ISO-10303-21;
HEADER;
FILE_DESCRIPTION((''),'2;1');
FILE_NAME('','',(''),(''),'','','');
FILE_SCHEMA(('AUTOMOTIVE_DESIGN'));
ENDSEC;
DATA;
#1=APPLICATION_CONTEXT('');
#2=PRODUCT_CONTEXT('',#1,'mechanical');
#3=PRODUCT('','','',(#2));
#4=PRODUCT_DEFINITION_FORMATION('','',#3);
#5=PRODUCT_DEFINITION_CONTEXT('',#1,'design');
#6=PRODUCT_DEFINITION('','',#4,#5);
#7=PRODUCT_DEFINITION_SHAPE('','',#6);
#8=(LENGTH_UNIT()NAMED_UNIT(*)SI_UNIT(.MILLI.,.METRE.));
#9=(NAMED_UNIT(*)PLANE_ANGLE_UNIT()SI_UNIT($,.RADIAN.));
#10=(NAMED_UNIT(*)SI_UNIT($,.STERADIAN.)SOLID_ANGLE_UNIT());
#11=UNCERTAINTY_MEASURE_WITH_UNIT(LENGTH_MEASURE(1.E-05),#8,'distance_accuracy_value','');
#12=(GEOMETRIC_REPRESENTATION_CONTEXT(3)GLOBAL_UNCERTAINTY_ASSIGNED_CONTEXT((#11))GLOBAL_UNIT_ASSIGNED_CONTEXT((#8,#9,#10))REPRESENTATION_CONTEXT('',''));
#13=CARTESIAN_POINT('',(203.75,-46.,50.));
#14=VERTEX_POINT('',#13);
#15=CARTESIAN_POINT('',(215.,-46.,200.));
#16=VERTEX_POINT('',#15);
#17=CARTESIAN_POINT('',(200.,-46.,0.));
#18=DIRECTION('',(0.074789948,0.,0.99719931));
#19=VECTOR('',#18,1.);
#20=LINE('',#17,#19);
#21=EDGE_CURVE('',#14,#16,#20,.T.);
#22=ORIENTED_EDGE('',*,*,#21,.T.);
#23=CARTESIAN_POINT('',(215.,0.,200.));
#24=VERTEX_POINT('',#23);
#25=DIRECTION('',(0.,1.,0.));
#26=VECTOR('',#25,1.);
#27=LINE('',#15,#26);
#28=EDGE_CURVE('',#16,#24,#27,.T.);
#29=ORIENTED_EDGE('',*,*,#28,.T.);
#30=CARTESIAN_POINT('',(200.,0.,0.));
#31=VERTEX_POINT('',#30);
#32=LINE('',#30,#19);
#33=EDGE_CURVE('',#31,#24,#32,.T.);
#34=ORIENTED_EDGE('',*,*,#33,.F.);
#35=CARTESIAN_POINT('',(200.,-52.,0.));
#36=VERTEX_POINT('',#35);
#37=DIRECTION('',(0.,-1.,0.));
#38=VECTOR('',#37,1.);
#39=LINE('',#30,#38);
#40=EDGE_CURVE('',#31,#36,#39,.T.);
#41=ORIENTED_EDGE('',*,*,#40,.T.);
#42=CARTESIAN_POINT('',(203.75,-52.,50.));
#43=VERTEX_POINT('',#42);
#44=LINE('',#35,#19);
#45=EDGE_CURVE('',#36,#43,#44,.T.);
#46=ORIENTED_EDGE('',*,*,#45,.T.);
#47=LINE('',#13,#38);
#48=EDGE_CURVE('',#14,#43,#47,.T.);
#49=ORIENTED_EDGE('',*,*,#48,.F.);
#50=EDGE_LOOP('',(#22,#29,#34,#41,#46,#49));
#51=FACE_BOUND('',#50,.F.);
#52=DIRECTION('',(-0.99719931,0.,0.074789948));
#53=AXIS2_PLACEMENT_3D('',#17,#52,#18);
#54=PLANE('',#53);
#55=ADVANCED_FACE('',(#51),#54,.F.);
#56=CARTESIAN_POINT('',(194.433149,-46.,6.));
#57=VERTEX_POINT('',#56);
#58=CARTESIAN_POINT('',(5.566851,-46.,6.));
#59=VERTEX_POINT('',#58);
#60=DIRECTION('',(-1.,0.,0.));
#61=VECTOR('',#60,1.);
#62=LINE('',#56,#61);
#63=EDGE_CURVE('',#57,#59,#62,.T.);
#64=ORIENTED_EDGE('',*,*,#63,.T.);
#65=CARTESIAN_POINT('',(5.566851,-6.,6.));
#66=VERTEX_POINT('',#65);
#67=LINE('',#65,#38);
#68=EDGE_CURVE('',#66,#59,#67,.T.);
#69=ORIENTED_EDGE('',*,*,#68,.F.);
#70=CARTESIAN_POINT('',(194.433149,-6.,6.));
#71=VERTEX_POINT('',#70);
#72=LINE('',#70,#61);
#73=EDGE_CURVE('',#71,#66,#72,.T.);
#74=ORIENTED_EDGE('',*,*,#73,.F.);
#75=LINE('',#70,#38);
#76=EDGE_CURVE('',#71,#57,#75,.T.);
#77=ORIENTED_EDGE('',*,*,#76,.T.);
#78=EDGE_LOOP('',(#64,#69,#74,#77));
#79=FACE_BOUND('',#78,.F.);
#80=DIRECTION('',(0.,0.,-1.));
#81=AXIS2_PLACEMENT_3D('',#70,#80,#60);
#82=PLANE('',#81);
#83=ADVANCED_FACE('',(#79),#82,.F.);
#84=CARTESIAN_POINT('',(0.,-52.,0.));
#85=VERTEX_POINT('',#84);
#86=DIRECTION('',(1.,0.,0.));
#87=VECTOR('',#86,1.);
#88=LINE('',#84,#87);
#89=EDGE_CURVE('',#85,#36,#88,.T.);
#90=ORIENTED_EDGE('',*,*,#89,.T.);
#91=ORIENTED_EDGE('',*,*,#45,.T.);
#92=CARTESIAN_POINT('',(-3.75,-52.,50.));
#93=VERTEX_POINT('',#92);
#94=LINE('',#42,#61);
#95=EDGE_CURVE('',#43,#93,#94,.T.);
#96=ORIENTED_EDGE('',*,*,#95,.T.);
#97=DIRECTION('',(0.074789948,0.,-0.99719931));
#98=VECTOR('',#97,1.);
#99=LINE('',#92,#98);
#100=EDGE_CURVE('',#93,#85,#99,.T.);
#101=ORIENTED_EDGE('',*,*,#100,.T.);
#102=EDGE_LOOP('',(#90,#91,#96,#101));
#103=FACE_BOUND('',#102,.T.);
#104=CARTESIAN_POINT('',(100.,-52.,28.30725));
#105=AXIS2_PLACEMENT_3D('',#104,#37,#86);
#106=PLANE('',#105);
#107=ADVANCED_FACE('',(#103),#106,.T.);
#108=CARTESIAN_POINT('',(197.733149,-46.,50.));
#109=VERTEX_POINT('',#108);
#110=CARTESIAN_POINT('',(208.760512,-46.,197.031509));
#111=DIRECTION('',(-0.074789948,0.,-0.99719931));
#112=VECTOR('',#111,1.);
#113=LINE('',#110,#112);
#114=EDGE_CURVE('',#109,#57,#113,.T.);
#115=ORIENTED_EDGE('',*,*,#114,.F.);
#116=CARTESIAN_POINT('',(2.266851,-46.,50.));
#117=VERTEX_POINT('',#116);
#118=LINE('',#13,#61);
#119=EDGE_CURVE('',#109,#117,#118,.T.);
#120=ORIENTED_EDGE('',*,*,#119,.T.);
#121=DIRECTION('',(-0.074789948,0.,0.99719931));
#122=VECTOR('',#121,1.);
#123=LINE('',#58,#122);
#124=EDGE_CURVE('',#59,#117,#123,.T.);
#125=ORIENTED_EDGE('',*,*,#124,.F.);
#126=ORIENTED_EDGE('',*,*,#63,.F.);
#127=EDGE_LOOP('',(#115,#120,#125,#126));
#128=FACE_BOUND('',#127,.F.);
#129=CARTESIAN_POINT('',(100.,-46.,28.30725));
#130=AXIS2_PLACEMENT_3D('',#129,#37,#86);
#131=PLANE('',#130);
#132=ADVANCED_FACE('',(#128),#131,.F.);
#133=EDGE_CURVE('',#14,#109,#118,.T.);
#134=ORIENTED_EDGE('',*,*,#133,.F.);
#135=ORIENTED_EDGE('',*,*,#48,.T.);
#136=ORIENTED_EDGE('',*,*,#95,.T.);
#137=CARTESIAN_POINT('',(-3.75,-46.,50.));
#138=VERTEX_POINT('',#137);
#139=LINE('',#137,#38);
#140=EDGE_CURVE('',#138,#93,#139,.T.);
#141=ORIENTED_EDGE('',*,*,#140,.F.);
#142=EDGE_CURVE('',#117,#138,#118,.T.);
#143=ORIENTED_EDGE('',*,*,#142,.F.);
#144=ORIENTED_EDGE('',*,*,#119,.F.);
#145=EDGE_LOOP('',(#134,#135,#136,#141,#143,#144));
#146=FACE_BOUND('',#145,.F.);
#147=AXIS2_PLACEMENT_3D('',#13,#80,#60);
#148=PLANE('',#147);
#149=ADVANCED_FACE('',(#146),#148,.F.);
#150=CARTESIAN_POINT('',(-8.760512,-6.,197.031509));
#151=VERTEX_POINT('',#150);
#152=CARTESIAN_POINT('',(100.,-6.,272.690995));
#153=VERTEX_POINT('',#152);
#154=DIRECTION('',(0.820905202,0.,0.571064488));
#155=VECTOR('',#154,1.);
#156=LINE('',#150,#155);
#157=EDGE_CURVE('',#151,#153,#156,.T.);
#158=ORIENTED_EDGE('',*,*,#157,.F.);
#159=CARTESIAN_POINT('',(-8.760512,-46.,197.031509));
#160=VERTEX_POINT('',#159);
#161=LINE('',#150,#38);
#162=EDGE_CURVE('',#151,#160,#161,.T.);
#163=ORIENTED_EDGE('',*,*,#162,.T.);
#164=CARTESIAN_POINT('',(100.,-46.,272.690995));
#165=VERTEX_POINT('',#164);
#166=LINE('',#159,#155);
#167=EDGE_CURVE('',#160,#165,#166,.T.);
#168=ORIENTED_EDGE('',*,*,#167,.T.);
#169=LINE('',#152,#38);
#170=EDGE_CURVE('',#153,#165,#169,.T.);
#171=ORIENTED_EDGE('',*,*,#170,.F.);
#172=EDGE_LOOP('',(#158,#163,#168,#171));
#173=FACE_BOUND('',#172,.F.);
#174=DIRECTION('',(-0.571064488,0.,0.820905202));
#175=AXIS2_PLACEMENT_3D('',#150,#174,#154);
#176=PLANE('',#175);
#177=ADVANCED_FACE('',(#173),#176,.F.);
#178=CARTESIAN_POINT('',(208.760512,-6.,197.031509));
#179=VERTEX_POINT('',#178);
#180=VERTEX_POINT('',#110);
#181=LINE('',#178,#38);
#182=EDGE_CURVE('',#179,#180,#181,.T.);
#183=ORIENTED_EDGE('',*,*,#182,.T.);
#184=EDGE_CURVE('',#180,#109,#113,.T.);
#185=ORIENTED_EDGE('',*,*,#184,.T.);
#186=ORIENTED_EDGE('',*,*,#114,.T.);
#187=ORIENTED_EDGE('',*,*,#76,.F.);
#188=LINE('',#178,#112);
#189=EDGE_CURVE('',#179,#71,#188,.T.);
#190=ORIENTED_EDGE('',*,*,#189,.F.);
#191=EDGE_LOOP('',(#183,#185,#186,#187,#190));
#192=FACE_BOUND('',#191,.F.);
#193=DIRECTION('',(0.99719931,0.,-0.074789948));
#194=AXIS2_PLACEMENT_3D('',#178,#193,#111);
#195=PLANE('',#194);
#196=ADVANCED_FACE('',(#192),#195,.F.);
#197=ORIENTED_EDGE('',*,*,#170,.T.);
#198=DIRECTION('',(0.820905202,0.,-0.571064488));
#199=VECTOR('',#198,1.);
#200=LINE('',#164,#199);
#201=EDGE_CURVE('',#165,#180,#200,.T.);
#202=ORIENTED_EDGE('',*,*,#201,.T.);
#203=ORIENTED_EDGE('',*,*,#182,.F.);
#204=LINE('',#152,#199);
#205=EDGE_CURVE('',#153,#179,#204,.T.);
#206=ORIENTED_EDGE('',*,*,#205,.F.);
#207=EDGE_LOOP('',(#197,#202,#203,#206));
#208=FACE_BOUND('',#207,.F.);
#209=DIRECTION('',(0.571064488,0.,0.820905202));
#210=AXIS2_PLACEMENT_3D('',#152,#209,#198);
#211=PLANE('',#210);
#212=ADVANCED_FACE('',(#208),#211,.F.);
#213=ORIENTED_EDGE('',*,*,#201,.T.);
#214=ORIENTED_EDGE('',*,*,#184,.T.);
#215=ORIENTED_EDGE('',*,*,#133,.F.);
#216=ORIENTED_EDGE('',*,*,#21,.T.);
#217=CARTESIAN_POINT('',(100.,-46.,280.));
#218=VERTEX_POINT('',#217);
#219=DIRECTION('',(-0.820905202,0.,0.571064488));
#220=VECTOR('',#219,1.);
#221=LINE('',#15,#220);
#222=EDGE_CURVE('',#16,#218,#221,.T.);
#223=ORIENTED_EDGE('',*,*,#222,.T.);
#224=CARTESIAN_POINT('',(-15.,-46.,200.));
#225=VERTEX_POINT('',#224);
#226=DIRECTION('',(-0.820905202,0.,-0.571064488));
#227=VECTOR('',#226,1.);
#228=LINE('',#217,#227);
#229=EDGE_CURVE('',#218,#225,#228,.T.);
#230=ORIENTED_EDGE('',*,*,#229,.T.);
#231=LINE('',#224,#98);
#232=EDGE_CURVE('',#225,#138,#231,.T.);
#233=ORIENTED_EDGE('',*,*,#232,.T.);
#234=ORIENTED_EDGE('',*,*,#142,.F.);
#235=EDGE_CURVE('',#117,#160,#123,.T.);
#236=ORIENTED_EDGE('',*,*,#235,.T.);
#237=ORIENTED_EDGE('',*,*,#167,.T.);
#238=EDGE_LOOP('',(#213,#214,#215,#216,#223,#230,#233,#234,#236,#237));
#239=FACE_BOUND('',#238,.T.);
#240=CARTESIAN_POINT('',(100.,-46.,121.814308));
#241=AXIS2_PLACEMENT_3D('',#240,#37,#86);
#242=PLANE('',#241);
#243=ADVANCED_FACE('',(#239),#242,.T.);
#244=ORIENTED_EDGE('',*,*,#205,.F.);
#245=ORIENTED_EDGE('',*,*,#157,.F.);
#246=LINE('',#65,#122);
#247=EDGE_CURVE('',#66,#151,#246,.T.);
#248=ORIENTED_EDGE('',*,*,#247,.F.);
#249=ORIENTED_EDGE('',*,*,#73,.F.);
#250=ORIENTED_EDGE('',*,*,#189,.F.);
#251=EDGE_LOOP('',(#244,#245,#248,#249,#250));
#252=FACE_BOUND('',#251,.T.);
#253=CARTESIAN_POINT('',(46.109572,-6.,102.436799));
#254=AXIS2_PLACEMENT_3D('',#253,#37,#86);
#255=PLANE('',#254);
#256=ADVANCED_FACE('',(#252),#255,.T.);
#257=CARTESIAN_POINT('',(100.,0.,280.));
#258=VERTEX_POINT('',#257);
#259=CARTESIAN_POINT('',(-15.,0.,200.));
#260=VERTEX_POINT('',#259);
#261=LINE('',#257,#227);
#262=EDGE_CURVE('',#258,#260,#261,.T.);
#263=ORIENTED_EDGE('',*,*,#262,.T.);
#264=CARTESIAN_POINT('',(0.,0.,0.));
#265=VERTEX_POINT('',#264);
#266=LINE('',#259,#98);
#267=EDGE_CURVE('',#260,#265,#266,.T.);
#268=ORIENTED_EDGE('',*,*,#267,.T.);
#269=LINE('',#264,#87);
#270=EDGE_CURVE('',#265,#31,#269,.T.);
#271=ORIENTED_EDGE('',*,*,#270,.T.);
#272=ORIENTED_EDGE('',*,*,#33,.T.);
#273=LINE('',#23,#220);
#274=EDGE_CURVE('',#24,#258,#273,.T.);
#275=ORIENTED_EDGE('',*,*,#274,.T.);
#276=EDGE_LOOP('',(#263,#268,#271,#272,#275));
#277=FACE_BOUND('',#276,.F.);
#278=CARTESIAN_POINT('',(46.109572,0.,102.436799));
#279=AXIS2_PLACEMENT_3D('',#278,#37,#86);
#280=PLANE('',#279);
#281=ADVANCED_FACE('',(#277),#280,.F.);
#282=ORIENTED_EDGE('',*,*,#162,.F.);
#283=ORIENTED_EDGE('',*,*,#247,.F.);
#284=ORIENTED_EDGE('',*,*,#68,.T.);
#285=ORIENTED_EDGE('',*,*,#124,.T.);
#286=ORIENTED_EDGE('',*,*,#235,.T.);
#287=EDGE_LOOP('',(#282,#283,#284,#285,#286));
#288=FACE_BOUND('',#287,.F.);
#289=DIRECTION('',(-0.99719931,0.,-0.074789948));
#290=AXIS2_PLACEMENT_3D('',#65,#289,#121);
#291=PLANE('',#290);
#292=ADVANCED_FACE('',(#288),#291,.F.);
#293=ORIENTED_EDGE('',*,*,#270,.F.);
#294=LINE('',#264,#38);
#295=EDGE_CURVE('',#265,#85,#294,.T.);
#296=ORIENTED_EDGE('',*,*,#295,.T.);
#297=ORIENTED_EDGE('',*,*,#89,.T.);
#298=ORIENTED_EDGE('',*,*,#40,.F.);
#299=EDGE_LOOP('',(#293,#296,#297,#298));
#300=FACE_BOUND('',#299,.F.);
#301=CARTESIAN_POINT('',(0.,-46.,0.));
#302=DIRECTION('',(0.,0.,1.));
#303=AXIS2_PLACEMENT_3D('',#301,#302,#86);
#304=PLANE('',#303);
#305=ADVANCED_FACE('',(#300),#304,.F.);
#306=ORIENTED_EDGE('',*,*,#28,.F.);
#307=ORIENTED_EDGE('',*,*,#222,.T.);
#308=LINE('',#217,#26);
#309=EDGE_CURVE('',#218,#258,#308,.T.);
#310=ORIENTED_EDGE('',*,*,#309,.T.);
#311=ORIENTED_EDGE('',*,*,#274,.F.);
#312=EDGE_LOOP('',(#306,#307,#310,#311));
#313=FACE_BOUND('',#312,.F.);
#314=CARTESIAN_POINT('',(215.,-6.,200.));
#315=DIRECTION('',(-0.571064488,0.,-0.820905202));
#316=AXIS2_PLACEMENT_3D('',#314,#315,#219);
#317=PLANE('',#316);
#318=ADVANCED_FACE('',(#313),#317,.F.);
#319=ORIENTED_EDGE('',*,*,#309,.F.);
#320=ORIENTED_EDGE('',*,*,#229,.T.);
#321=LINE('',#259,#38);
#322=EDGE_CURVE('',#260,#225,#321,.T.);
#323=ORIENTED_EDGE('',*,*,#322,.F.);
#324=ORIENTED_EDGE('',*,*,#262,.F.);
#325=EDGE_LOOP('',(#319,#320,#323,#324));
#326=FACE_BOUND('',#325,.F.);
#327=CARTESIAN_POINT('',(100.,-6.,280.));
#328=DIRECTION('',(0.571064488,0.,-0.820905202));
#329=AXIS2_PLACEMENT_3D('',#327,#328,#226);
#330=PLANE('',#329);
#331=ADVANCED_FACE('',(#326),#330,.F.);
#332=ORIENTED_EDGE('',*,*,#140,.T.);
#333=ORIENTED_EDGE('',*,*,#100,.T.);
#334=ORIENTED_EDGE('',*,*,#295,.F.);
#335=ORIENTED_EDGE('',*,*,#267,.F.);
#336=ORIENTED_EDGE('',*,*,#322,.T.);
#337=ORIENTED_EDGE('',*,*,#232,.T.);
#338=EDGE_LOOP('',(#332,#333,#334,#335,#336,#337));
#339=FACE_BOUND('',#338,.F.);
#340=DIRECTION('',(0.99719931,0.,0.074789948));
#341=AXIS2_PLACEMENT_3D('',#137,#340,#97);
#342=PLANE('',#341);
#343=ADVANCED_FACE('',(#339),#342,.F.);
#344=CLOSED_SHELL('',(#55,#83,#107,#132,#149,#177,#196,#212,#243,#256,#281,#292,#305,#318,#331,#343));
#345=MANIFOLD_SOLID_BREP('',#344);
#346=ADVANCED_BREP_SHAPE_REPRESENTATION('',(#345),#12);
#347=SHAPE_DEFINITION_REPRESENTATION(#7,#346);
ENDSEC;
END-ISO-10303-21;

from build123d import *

# Parameters (mm, degrees)
F1_DEPTH = 6
F3_DEPTH = 40
F5_DEPTH = 6


with BuildPart() as f1:
    # F0 (on Front) → F1 (new body)
    with BuildSketch(Plane.XZ):
        Polygon((-15, 200), (0, 0), (100, 0), (100, 200), align=None)
        Polygon((100, 200), (100, 0), (200, 0), (215, 200), align=None)
        Polygon((100, 280), (100, 200), (215, 200), align=None)
        Polygon((100, 280), (-15, 200), (100, 200), align=None)
    extrude(amount=F1_DEPTH)

    # F2 (on face) → F3 (join)
    with BuildSketch(Plane.XZ.offset(6)):
        Polygon((100, 280), (-15, 200), (0, 0), (200, 0), (215, 200), align=None)
        Polygon((-8.760511823, 197.0315087877), (100, 272.6909952733), (208.760511823, 197.0315087877), (194.433148664, 6), (5.566851336, 6), align=None, mode=Mode.SUBTRACT)
    extrude(amount=F3_DEPTH)

    # F4 (on face) → F5 (join)
    with BuildSketch(Plane.XZ.offset(46)):
        Polygon((197.733148664, 50), (2.266851336, 50), (5.566851336, 6), (194.433148664, 6), align=None)
        Polygon((2.266851336, 50), (-3.75, 50), (0, 0), (200, 0), (203.75, 50), (197.733148664, 50), (194.433148664, 6), (5.566851336, 6), align=None)
    extrude(amount=F5_DEPTH)


solid = f1.part
